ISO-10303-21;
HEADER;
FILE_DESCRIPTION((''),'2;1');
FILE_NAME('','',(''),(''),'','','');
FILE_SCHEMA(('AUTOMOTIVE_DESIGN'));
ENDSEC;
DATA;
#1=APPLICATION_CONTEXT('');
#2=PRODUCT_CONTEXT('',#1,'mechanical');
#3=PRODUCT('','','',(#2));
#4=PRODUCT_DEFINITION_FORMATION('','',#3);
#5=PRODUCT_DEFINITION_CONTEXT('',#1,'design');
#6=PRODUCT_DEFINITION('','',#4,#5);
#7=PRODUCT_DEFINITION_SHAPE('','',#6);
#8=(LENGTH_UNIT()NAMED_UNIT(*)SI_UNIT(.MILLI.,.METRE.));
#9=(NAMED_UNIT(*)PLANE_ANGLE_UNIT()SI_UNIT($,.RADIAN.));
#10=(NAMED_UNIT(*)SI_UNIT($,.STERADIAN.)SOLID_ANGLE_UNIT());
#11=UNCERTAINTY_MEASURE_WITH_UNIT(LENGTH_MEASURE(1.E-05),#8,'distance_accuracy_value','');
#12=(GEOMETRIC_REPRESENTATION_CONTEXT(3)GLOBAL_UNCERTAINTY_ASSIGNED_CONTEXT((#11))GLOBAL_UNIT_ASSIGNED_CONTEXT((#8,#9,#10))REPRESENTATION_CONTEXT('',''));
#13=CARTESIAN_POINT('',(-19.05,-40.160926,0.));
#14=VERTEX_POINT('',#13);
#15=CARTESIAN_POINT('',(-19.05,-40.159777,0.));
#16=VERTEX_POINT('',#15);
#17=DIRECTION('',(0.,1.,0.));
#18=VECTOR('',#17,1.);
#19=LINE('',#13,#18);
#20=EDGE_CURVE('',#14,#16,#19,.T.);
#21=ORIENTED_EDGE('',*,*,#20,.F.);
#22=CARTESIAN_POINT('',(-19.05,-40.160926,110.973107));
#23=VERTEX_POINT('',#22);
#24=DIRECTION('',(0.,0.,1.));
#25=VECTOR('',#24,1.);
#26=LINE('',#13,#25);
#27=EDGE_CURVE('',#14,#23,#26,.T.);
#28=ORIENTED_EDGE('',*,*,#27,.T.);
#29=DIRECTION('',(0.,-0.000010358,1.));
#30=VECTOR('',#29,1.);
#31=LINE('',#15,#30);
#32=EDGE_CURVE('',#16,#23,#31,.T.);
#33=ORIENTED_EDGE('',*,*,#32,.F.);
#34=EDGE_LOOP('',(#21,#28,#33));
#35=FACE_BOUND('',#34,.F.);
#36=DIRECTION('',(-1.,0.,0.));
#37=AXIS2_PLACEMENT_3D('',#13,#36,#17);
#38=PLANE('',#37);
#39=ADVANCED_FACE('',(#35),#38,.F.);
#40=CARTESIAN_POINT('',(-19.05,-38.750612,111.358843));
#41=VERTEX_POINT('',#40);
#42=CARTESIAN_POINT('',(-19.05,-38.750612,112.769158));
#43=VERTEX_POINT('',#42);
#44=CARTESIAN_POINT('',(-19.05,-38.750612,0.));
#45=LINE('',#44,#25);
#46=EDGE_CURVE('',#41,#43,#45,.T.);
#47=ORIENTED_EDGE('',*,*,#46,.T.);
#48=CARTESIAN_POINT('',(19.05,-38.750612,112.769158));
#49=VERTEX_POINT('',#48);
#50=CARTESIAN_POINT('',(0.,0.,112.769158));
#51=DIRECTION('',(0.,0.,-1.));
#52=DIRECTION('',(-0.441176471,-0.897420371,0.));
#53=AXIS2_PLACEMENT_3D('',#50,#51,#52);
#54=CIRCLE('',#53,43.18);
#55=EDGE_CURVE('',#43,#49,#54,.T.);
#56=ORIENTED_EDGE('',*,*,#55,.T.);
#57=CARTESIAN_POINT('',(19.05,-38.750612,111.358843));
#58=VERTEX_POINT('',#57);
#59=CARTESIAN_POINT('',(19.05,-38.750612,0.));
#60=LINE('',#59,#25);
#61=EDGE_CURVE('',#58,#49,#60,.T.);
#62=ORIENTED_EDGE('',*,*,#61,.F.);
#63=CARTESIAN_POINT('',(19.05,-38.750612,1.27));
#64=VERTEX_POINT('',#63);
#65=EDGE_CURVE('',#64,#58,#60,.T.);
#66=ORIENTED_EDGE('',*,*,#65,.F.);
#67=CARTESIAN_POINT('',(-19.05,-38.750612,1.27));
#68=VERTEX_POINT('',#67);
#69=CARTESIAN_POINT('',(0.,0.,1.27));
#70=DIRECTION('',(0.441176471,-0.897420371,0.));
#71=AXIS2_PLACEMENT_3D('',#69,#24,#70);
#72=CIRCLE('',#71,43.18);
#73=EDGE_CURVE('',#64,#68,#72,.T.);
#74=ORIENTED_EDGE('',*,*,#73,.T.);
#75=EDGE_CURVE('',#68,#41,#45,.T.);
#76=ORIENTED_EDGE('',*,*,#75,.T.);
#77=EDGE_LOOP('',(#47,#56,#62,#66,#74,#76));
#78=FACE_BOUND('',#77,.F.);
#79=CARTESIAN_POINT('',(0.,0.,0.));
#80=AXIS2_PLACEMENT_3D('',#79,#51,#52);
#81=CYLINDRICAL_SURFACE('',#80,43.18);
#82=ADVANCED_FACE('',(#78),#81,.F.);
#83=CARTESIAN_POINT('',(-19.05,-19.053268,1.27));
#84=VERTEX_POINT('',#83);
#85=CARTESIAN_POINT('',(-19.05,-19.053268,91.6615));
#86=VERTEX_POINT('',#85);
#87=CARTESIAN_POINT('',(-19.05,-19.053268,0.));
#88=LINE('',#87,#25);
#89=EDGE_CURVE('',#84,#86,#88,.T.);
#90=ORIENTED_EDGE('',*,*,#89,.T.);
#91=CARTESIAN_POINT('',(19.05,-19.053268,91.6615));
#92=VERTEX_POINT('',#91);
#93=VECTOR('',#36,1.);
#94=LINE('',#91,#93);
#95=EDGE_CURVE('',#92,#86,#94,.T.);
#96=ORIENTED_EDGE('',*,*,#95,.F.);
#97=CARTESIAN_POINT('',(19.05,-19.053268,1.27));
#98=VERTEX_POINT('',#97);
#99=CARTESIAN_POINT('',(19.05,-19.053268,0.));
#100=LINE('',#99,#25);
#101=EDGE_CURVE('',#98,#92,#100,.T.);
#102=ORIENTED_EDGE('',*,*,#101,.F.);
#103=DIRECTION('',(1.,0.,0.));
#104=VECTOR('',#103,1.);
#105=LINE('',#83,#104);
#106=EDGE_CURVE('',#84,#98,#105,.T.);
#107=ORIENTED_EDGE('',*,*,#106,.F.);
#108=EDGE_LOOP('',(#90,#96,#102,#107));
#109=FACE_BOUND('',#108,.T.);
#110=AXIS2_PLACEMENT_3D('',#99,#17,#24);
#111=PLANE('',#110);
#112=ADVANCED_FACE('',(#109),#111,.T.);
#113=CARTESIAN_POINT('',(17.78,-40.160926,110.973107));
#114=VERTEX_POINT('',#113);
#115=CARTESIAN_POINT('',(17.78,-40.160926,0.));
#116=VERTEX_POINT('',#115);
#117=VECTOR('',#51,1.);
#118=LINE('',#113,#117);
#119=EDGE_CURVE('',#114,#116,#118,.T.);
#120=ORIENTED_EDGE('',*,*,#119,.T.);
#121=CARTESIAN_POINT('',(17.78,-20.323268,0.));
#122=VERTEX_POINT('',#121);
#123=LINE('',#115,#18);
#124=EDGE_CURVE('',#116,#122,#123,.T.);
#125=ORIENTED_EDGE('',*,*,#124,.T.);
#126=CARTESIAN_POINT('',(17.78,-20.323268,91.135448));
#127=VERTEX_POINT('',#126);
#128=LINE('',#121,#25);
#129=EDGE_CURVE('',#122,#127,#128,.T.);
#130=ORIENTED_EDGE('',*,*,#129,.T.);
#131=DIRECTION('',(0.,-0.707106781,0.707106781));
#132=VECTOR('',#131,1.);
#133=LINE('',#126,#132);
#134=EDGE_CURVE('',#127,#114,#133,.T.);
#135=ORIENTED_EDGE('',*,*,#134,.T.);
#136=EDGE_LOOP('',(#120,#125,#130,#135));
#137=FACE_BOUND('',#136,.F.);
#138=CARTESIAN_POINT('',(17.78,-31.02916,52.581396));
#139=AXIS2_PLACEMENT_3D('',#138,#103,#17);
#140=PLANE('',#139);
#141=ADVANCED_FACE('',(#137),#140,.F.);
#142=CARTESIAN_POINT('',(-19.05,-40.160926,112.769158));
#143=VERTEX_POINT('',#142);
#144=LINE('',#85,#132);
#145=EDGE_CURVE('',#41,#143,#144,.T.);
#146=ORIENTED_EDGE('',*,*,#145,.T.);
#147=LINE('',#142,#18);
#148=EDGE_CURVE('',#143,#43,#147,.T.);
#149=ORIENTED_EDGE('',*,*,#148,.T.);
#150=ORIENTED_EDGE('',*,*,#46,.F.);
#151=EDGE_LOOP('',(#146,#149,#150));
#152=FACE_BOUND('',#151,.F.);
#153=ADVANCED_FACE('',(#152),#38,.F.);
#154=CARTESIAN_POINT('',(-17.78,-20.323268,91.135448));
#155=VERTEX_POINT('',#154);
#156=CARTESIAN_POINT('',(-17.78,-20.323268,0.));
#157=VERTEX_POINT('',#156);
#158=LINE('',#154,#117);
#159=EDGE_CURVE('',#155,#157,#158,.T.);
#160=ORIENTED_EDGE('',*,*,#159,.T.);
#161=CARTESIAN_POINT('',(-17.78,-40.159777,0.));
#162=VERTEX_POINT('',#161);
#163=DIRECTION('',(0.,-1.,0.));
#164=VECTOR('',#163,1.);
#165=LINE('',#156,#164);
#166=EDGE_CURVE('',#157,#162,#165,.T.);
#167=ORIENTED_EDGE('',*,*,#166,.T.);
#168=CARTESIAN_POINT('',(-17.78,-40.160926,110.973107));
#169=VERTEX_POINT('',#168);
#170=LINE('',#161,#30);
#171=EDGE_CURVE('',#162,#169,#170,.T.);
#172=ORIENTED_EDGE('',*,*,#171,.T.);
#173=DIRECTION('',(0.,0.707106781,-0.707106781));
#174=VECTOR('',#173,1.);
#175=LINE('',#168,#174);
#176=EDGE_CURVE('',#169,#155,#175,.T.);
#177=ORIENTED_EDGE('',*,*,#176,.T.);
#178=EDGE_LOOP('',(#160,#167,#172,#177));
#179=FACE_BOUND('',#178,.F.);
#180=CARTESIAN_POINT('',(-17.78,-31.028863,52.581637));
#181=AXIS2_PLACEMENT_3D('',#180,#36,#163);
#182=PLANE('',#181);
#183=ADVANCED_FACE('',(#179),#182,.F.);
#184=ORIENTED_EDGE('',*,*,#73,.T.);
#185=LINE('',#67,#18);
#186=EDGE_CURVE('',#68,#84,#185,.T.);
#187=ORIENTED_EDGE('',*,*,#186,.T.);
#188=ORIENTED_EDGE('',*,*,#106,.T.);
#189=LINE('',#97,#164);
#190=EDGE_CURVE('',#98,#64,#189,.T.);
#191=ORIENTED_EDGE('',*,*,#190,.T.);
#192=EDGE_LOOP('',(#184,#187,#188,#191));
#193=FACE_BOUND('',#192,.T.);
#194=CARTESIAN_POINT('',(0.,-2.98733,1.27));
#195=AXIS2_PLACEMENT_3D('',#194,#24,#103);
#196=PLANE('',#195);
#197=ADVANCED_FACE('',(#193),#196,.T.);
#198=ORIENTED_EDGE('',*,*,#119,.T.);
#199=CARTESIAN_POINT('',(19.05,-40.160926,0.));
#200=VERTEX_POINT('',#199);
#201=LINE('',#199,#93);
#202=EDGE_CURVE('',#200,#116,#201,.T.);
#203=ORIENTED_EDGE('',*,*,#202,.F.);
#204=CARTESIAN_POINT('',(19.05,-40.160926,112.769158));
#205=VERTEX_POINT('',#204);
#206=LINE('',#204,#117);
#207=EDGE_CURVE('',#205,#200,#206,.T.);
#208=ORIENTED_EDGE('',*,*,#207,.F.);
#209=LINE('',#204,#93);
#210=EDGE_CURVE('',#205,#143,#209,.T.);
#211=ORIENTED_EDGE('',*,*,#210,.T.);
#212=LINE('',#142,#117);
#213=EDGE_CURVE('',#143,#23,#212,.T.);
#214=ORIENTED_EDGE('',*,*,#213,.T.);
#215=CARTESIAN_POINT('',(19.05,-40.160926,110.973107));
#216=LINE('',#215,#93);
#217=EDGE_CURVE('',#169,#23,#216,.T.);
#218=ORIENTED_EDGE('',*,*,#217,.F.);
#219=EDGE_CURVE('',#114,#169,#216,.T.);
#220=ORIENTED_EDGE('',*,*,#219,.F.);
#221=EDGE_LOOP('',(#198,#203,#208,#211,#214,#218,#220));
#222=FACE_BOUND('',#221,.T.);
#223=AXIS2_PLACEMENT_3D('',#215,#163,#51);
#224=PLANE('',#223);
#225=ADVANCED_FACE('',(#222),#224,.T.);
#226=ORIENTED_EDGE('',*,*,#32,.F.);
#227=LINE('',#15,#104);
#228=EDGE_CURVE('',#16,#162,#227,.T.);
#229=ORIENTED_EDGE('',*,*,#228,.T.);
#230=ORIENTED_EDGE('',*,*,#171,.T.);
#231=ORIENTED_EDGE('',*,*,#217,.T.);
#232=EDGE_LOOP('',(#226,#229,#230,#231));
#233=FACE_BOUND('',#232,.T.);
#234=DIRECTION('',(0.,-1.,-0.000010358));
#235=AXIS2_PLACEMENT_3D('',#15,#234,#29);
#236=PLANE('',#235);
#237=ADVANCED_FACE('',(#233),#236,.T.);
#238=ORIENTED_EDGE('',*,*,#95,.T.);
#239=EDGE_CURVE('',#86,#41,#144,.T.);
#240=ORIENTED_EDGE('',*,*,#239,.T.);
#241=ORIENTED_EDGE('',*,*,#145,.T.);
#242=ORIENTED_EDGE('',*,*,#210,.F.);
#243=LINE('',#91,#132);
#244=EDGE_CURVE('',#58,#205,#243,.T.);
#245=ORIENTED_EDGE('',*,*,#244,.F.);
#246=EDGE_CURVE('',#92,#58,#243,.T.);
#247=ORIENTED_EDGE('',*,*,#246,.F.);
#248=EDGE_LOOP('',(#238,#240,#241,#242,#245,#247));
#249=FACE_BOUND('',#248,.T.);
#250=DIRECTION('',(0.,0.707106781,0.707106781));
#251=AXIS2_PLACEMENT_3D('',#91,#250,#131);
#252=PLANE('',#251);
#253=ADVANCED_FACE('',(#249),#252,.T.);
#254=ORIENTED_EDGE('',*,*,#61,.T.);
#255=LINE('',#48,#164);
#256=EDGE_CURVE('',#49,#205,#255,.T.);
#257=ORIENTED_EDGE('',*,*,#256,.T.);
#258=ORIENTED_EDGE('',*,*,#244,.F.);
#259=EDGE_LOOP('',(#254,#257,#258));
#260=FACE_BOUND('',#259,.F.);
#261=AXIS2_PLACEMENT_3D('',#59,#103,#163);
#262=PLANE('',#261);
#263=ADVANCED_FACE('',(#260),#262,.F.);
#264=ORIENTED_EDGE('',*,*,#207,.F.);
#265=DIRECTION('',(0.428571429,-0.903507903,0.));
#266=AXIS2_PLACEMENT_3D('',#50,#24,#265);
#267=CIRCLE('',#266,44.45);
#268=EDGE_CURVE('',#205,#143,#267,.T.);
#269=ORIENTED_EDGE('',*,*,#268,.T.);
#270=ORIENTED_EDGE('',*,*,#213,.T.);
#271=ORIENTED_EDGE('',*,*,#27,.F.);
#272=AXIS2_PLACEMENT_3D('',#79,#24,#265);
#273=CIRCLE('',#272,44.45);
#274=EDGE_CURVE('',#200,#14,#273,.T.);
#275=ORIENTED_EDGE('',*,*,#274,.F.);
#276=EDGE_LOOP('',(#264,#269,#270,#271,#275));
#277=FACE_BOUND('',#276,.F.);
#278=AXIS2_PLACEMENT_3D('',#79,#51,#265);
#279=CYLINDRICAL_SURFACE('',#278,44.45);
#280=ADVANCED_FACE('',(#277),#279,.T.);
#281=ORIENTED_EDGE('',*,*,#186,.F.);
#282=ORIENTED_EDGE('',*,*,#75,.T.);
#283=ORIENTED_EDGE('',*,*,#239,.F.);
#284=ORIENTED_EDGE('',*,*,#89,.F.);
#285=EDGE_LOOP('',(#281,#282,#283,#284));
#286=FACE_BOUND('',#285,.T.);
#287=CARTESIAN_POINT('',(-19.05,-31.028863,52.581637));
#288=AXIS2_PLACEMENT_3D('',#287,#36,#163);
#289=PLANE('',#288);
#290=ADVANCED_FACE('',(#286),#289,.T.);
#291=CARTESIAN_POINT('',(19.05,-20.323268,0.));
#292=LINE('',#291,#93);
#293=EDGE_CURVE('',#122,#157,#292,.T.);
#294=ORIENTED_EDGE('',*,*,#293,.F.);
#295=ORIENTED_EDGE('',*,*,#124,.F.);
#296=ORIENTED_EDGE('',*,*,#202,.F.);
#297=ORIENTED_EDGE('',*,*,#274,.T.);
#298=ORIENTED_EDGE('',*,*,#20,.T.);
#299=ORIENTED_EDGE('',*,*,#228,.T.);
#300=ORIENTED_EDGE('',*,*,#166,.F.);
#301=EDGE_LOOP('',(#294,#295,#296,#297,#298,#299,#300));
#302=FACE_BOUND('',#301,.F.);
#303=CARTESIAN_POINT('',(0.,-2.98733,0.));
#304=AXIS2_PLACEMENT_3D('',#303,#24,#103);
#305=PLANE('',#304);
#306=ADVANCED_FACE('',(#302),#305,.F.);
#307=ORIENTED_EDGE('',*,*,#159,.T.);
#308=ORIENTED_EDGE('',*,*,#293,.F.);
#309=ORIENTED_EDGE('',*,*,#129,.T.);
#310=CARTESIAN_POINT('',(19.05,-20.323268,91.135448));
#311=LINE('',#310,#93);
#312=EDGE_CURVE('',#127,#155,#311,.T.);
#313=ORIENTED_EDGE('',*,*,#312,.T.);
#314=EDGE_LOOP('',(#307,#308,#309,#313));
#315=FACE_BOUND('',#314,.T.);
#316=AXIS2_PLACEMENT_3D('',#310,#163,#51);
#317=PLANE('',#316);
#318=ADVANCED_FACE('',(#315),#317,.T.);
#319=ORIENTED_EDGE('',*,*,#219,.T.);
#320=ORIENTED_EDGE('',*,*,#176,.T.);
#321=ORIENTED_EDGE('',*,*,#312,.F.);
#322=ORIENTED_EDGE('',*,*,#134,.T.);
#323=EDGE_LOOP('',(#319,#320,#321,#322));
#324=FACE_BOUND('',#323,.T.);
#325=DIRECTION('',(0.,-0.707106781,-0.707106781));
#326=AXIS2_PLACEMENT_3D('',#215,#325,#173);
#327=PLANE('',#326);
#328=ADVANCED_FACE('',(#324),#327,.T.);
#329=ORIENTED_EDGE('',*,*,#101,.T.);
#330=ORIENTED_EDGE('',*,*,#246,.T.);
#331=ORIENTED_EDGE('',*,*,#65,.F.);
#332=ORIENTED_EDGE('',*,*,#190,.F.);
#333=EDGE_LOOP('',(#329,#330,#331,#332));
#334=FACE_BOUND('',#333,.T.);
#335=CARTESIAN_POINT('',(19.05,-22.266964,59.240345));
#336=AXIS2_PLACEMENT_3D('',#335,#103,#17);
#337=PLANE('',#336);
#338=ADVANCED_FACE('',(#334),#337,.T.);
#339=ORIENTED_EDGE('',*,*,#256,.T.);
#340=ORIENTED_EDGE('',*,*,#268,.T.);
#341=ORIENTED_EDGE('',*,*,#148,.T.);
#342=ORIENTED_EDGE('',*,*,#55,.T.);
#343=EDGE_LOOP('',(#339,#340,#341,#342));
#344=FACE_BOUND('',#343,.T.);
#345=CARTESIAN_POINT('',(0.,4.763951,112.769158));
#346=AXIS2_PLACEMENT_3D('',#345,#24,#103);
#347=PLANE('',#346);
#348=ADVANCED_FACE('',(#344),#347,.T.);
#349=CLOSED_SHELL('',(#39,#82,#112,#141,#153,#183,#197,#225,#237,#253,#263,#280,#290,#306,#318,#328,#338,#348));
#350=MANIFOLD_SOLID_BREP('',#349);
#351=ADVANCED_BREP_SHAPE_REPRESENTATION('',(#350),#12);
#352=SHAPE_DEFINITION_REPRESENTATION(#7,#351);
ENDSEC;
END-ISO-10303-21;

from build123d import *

# Parameters (mm, degrees)
F3_DEPTH = 1.27
F4_DEPTH = 38.1
F7_DEPTH = 1.27
F8_DEPTH = 112.7691580497
F9_DEPTH = 1.27


with BuildPart() as f3:
    # F2 (on plane+point) → F3 (new body)
    with BuildSketch(Plane.YZ.offset(19.05)):
        Polygon((-40.1609262841, 0), (-20.3232679032, 0), (-20.3232679032, 1.27), (-20.3232679032, 91.1354484446), (-38.8909262841, 109.7031068255), (-40.1609262841, 110.9731068255), align=None)
    extrude(amount=-F3_DEPTH)

    # F2 (on plane+point) → F4 (join)
    with BuildSketch(Plane.YZ.offset(19.05)):
        Polygon((-20.3232679032, 0), (-19.0532679032, 0), (-19.0532679032, 91.6614996688), (-40.1609262841, 112.7691580497), (-40.1609262841, 110.9731068255), (-38.8909262841, 109.7031068255), (-20.3232679032, 91.1354484446), (-20.3232679032, 1.27), align=None)
    extrude(amount=-F4_DEPTH)

    # F6 (on offset) → F7 (join)
    with BuildSketch(Plane(origin=(-19.05, 0, 0), x_dir=(0, -1, 0), z_dir=(-1, 0, 0))):
        Polygon((20.3232679032, 0), (40.1597768068, 0), (40.1609262841, 110.9731068255), (20.3232679032, 91.1354484446), align=None)
    extrude(amount=-F7_DEPTH)

    # F0 (on Top) → F8 (join, through all)
    with BuildSketch(Plane.XY):
        with BuildLine():
            Line((19.05, -38.7506116081), (19.05, -40.1609262841))
            ThreePointArc((19.05, -40.1609262841), (0, 44.45), (-19.05, -40.1609262841))
            Line((-19.05, -40.1609262841), (-19.05, -38.7506116081))
            ThreePointArc((-19.05, -38.7506116081), (0, 43.18), (19.05, -38.7506116081))
        make_face()
    extrude(amount=F8_DEPTH)

    # F0 (on Top) → F9 (join)
    with BuildSketch(Plane.XY):
        with BuildLine():
            Line((19.05, -19.0532679032), (19.05, -38.7506116081))
            ThreePointArc((19.05, -38.7506116081), (0, 43.18), (-19.05, -38.7506116081))
            Line((-19.05, -38.7506116081), (-19.05, -19.0532679032))
            Line((-19.05, -19.0532679032), (0, -19.0532679032))
            Line((0, -19.0532679032), (19.05, -19.0532679032))
        make_face()
    extrude(amount=F9_DEPTH)


solid = f3.part
